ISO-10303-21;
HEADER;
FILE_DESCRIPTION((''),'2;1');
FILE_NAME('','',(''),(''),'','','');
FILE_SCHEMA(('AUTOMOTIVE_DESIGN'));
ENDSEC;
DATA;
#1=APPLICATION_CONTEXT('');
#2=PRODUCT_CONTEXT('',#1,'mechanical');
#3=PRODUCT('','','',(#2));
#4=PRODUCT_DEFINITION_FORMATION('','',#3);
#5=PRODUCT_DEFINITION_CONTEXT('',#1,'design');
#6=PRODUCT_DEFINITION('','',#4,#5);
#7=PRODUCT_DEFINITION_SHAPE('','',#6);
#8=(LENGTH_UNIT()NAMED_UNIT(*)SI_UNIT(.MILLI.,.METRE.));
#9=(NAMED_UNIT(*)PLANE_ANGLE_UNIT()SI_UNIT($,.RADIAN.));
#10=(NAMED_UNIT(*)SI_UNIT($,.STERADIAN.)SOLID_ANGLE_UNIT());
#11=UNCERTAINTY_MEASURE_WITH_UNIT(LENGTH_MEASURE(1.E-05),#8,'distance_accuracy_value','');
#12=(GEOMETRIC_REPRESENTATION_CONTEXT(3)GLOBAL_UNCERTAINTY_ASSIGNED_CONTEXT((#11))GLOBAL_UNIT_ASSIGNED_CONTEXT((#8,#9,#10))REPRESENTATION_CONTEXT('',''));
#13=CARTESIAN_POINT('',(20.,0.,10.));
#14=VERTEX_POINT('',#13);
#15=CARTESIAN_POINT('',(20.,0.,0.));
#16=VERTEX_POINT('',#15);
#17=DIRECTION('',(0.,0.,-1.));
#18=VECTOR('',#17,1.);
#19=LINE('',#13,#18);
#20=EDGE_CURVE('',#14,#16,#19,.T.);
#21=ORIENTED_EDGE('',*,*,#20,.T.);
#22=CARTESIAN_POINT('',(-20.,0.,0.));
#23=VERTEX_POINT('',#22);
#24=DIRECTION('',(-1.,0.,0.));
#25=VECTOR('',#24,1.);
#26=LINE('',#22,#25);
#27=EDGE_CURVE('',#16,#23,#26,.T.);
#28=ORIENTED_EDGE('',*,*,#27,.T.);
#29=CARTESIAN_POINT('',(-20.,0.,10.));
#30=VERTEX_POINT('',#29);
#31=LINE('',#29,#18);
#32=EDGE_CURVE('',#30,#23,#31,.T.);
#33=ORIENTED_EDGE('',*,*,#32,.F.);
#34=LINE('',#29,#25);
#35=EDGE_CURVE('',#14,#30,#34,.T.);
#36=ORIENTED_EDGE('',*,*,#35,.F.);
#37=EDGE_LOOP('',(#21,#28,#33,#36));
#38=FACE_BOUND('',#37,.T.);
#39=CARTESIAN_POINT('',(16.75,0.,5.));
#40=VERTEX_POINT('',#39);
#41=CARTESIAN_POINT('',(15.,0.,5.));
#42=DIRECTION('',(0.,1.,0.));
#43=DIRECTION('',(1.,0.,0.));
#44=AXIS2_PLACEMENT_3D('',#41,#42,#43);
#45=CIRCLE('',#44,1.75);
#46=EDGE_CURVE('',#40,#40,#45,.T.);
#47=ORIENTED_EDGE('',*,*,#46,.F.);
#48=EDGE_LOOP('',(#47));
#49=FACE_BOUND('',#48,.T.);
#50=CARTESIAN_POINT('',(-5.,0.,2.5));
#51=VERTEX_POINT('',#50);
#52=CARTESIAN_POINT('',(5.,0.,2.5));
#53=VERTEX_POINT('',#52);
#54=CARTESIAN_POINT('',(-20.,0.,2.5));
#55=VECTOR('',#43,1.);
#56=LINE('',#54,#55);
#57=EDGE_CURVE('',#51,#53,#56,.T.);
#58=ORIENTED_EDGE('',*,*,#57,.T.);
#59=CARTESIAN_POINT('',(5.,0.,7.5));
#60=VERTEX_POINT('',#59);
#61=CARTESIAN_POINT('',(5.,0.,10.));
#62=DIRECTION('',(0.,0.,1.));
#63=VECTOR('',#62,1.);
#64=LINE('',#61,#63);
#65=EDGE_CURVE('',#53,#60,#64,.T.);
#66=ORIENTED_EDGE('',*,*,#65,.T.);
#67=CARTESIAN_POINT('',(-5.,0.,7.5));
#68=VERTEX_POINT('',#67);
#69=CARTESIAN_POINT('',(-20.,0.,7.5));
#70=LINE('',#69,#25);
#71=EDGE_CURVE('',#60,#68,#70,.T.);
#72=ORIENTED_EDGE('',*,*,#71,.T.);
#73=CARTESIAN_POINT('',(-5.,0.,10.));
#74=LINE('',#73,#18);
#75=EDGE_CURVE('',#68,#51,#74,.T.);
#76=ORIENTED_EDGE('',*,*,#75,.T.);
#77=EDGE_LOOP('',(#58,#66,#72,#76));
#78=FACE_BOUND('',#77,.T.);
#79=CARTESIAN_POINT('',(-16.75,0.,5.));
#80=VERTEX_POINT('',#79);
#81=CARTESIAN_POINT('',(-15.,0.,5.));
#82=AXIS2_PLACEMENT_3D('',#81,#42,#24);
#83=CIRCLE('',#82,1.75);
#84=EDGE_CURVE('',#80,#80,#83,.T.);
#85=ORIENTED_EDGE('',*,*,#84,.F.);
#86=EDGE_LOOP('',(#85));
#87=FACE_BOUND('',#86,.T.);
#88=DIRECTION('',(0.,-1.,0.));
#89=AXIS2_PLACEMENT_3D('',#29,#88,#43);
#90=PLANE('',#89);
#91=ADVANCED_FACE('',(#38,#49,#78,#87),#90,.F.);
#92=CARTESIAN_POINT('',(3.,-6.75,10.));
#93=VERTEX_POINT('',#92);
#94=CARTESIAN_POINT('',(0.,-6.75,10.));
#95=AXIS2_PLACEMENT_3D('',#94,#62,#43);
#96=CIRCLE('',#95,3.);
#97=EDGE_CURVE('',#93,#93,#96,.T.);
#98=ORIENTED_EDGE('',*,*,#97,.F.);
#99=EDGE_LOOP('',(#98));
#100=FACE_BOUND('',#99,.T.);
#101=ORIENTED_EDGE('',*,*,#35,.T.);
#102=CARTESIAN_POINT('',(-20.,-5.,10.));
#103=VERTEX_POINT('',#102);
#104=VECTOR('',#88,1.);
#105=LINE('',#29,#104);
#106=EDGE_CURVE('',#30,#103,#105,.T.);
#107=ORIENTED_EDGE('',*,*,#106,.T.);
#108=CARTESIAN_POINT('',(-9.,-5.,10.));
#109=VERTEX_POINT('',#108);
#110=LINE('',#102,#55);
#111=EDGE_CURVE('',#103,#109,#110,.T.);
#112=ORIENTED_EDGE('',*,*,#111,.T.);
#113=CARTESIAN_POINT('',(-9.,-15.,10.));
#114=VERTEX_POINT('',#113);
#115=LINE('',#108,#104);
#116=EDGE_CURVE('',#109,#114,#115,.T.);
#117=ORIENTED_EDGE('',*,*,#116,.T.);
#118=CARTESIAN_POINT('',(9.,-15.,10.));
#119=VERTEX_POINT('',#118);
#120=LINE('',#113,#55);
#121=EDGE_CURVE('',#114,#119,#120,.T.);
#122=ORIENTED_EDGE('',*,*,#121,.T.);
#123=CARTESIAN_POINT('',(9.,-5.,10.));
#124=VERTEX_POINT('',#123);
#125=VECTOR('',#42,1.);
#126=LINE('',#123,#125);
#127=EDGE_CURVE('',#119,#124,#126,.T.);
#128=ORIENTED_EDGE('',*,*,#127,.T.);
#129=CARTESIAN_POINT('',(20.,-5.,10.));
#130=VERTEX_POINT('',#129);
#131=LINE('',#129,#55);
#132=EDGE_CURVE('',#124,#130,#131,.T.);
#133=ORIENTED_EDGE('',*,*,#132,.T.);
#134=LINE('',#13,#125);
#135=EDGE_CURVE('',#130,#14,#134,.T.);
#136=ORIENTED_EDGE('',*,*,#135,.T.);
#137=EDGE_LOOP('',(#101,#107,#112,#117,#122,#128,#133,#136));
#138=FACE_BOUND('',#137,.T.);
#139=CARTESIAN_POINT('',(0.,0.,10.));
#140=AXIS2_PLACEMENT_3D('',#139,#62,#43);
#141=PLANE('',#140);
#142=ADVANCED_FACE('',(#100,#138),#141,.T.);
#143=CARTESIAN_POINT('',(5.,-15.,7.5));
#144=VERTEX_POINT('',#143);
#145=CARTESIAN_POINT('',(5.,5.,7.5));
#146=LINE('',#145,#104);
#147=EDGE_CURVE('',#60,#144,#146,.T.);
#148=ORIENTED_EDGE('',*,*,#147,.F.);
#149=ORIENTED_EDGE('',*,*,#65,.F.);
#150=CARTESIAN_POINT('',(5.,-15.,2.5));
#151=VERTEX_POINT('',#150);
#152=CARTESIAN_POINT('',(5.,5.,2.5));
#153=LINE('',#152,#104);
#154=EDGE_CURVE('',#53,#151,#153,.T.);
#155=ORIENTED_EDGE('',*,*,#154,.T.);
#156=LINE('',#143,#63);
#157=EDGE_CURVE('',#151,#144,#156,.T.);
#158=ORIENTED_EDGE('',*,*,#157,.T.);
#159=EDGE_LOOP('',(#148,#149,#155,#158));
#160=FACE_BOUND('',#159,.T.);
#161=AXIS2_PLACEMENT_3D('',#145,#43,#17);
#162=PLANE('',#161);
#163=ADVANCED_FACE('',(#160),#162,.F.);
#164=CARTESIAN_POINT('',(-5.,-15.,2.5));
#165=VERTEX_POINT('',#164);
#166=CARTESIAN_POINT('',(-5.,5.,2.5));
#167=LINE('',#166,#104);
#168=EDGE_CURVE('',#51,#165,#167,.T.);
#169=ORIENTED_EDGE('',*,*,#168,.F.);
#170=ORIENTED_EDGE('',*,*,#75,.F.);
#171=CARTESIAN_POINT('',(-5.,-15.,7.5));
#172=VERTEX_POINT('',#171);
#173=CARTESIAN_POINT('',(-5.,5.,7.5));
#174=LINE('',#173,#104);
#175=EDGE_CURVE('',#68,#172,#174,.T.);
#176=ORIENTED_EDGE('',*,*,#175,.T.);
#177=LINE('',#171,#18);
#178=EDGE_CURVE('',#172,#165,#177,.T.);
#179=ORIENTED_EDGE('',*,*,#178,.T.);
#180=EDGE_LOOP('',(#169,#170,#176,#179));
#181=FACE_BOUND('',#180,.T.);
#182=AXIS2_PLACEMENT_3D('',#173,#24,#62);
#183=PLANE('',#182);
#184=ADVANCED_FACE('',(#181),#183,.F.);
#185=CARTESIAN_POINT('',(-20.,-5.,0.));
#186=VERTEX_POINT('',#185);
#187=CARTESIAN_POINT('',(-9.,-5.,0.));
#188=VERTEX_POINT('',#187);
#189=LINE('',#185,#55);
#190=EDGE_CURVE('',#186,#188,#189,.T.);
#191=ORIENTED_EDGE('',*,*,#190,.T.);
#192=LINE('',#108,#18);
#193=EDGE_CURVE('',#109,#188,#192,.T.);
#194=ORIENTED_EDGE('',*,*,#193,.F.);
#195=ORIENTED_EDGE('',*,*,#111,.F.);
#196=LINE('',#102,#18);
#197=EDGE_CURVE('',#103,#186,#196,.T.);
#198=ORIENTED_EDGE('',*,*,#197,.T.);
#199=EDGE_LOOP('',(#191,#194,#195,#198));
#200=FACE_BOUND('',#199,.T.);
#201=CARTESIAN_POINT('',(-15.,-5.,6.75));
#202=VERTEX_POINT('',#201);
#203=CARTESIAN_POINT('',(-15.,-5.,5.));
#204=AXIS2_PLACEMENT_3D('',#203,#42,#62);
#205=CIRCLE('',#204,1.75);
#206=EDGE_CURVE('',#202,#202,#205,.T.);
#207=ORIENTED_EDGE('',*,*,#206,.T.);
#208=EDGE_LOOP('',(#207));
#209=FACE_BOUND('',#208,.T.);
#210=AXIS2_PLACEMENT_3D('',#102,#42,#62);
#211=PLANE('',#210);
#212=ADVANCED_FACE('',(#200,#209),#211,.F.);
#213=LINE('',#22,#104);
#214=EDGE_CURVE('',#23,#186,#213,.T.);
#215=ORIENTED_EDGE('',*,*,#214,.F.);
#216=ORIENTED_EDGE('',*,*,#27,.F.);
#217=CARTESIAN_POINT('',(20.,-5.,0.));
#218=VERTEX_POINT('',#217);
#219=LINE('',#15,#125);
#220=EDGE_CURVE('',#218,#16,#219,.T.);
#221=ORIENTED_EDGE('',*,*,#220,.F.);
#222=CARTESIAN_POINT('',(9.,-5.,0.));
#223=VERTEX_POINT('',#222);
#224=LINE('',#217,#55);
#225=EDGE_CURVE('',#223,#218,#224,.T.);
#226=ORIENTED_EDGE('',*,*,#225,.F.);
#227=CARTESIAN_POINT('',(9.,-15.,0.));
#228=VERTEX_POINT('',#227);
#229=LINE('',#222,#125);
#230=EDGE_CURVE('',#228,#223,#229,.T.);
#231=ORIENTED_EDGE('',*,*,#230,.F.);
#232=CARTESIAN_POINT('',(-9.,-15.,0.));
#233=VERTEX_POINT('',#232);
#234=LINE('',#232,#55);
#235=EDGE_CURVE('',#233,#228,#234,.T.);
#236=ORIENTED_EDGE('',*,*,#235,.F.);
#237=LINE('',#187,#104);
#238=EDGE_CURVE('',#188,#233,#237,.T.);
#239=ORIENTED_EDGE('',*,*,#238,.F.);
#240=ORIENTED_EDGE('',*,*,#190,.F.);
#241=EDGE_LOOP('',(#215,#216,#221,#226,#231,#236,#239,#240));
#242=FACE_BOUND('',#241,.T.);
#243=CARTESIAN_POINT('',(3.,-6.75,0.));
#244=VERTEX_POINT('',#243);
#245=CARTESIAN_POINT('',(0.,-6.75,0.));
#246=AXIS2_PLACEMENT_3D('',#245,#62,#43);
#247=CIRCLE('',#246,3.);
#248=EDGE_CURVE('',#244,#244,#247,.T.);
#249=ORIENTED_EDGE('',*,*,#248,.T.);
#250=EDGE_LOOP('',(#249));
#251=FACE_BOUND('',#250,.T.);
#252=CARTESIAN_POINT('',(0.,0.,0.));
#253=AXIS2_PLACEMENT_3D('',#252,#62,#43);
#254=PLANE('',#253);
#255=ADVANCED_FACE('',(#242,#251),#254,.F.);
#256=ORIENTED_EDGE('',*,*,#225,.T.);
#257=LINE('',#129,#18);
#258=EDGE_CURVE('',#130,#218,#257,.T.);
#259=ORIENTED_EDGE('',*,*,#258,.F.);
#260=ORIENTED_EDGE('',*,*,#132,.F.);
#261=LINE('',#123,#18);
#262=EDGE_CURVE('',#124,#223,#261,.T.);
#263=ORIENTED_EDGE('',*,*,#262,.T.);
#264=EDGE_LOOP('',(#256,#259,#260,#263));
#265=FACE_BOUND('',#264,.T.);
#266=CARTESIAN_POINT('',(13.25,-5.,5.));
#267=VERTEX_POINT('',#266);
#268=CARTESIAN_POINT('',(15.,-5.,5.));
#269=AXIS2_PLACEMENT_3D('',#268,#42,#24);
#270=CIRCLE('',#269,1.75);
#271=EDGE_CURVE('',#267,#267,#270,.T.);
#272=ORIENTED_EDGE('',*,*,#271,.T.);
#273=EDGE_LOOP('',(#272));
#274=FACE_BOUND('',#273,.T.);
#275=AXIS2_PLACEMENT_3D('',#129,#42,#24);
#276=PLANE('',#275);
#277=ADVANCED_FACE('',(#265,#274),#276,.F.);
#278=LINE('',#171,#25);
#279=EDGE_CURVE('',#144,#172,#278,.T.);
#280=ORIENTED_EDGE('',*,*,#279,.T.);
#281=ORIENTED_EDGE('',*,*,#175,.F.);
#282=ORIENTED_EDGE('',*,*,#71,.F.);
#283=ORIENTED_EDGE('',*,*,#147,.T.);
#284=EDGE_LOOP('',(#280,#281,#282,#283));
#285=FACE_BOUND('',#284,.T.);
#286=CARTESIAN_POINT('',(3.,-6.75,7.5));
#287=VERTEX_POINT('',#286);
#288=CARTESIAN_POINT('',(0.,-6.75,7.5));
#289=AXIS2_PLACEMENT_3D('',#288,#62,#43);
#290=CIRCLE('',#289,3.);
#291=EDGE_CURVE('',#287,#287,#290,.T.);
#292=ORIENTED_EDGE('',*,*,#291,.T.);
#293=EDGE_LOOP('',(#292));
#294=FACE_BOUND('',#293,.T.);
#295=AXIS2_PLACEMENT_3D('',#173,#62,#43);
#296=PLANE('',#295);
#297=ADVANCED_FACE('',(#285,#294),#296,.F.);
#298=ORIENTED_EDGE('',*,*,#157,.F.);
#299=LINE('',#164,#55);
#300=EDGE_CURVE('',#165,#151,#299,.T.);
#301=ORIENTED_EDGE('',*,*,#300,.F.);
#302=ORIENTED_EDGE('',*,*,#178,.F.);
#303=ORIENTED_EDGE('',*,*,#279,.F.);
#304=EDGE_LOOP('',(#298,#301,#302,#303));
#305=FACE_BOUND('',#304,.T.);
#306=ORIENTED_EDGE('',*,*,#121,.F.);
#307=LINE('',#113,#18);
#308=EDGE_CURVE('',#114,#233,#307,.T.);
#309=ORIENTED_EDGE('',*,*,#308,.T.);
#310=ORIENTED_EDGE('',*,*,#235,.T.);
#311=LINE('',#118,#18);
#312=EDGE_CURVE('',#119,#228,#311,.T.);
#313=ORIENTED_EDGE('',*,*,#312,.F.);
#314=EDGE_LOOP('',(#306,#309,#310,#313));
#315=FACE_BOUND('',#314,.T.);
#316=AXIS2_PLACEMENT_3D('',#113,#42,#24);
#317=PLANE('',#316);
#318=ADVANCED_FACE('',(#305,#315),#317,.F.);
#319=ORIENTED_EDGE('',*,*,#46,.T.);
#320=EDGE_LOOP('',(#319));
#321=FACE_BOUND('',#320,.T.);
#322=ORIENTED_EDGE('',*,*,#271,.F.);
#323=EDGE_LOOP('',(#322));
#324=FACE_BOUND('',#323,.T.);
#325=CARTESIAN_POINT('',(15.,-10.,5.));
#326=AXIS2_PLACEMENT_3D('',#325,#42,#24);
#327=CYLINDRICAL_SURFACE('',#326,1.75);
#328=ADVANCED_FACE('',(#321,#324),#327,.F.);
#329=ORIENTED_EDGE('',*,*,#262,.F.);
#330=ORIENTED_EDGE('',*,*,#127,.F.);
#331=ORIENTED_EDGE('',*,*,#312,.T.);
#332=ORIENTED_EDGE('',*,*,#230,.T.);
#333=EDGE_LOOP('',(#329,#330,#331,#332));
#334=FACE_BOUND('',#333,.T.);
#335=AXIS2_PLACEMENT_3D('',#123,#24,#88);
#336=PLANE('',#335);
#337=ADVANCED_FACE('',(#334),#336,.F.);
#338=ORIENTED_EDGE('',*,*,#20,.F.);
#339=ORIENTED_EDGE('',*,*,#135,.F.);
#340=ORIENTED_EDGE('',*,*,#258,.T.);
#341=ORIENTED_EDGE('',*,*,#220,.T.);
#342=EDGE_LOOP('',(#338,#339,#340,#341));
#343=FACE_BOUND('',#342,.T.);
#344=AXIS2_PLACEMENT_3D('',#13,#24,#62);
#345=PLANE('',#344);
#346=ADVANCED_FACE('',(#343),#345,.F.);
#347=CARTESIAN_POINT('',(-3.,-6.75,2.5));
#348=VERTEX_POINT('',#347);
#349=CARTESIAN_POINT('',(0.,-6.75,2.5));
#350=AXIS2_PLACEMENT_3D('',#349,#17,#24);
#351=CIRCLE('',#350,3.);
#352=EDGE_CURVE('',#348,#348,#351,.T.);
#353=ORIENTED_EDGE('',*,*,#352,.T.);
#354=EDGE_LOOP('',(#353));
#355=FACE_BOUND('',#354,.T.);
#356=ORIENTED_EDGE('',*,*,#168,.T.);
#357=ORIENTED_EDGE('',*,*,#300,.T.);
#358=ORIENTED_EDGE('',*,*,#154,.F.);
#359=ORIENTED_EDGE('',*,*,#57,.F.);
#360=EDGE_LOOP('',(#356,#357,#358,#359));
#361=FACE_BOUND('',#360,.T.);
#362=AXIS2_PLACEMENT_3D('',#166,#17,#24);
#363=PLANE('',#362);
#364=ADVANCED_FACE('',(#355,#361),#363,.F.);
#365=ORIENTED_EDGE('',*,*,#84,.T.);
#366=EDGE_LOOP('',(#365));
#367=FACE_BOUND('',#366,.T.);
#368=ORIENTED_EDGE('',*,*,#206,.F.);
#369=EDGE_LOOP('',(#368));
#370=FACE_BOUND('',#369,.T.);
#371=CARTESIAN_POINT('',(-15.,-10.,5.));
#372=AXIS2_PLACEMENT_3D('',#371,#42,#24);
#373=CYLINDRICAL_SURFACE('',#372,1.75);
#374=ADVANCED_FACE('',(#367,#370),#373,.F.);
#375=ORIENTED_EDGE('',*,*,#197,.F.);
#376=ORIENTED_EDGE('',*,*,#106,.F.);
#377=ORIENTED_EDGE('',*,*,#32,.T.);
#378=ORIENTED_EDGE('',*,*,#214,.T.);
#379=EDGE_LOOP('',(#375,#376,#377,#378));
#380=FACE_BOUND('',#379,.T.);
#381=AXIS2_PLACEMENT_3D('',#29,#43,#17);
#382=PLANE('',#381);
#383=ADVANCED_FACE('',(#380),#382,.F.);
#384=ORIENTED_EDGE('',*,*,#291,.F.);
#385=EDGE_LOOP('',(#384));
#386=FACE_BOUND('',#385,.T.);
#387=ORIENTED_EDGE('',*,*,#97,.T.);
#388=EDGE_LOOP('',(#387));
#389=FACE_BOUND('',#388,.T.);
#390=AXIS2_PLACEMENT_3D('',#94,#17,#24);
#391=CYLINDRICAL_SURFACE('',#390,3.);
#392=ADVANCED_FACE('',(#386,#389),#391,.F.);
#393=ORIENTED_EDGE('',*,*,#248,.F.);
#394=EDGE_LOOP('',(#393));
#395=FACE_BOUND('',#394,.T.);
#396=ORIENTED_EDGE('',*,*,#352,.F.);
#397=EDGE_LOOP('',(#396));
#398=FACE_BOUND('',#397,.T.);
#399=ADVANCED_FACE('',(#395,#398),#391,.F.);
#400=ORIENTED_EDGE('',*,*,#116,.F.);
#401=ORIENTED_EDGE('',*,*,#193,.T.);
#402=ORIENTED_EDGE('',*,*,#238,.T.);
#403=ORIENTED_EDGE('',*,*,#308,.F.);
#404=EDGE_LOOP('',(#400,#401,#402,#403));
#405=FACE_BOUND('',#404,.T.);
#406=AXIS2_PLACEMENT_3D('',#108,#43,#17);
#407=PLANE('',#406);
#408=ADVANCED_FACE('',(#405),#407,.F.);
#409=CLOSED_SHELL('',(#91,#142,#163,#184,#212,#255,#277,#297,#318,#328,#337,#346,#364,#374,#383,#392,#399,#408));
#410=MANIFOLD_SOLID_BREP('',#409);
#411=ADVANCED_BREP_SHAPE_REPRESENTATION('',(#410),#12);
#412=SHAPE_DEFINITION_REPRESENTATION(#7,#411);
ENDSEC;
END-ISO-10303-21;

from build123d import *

# Parameters (mm, degrees)
ESBO_O1_R                = 3
RESSALTO_EXTRUS_O1_DEPTH = 10
ESBO_O2_R                = 1.75
CORTE_EXTRUS_O1_DEPTH    = 10
ESBO_O3_W                = 10
ESBO_O3_H                = 5
CORTE_EXTRUS_O2_DEPTH    = 20


with BuildPart() as part:
    # Esboço1 → Ressalto-extrusão1 (new body)
    with BuildSketch(Plane.XY):
        Polygon((-9, -5), (-9, -15), (9, -15), (9, -5), (20, -5), (20, 0), (-20, 0), (-20, -5), align=None)
        with Locations((0, -6.75)):
            Circle(ESBO_O1_R, mode=Mode.SUBTRACT)
    extrude(amount=RESSALTO_EXTRUS_O1_DEPTH)

    # Esboço2 → Corte-extrusão1 (cut)
    with BuildSketch(Plane(origin=(0, 0, 0), x_dir=(1, 0, 0), z_dir=(0, 1, 0))):
        with Locations(Location((-15, -5, 0), (0, 0, 180))):
            Circle(ESBO_O2_R)
        with Locations(Location((15, -5, 0), (0, 0, 180))):
            Circle(ESBO_O2_R)
    extrude(amount=-CORTE_EXTRUS_O1_DEPTH, mode=Mode.SUBTRACT)

    # Esboço3 → Corte-extrusão2 (cut)
    with BuildSketch(Plane.XZ.offset(15)):
        with Locations((0, 5)):
            Rectangle(ESBO_O3_W, ESBO_O3_H)
    extrude(amount=-CORTE_EXTRUS_O2_DEPTH, mode=Mode.SUBTRACT)


solid = part.part
